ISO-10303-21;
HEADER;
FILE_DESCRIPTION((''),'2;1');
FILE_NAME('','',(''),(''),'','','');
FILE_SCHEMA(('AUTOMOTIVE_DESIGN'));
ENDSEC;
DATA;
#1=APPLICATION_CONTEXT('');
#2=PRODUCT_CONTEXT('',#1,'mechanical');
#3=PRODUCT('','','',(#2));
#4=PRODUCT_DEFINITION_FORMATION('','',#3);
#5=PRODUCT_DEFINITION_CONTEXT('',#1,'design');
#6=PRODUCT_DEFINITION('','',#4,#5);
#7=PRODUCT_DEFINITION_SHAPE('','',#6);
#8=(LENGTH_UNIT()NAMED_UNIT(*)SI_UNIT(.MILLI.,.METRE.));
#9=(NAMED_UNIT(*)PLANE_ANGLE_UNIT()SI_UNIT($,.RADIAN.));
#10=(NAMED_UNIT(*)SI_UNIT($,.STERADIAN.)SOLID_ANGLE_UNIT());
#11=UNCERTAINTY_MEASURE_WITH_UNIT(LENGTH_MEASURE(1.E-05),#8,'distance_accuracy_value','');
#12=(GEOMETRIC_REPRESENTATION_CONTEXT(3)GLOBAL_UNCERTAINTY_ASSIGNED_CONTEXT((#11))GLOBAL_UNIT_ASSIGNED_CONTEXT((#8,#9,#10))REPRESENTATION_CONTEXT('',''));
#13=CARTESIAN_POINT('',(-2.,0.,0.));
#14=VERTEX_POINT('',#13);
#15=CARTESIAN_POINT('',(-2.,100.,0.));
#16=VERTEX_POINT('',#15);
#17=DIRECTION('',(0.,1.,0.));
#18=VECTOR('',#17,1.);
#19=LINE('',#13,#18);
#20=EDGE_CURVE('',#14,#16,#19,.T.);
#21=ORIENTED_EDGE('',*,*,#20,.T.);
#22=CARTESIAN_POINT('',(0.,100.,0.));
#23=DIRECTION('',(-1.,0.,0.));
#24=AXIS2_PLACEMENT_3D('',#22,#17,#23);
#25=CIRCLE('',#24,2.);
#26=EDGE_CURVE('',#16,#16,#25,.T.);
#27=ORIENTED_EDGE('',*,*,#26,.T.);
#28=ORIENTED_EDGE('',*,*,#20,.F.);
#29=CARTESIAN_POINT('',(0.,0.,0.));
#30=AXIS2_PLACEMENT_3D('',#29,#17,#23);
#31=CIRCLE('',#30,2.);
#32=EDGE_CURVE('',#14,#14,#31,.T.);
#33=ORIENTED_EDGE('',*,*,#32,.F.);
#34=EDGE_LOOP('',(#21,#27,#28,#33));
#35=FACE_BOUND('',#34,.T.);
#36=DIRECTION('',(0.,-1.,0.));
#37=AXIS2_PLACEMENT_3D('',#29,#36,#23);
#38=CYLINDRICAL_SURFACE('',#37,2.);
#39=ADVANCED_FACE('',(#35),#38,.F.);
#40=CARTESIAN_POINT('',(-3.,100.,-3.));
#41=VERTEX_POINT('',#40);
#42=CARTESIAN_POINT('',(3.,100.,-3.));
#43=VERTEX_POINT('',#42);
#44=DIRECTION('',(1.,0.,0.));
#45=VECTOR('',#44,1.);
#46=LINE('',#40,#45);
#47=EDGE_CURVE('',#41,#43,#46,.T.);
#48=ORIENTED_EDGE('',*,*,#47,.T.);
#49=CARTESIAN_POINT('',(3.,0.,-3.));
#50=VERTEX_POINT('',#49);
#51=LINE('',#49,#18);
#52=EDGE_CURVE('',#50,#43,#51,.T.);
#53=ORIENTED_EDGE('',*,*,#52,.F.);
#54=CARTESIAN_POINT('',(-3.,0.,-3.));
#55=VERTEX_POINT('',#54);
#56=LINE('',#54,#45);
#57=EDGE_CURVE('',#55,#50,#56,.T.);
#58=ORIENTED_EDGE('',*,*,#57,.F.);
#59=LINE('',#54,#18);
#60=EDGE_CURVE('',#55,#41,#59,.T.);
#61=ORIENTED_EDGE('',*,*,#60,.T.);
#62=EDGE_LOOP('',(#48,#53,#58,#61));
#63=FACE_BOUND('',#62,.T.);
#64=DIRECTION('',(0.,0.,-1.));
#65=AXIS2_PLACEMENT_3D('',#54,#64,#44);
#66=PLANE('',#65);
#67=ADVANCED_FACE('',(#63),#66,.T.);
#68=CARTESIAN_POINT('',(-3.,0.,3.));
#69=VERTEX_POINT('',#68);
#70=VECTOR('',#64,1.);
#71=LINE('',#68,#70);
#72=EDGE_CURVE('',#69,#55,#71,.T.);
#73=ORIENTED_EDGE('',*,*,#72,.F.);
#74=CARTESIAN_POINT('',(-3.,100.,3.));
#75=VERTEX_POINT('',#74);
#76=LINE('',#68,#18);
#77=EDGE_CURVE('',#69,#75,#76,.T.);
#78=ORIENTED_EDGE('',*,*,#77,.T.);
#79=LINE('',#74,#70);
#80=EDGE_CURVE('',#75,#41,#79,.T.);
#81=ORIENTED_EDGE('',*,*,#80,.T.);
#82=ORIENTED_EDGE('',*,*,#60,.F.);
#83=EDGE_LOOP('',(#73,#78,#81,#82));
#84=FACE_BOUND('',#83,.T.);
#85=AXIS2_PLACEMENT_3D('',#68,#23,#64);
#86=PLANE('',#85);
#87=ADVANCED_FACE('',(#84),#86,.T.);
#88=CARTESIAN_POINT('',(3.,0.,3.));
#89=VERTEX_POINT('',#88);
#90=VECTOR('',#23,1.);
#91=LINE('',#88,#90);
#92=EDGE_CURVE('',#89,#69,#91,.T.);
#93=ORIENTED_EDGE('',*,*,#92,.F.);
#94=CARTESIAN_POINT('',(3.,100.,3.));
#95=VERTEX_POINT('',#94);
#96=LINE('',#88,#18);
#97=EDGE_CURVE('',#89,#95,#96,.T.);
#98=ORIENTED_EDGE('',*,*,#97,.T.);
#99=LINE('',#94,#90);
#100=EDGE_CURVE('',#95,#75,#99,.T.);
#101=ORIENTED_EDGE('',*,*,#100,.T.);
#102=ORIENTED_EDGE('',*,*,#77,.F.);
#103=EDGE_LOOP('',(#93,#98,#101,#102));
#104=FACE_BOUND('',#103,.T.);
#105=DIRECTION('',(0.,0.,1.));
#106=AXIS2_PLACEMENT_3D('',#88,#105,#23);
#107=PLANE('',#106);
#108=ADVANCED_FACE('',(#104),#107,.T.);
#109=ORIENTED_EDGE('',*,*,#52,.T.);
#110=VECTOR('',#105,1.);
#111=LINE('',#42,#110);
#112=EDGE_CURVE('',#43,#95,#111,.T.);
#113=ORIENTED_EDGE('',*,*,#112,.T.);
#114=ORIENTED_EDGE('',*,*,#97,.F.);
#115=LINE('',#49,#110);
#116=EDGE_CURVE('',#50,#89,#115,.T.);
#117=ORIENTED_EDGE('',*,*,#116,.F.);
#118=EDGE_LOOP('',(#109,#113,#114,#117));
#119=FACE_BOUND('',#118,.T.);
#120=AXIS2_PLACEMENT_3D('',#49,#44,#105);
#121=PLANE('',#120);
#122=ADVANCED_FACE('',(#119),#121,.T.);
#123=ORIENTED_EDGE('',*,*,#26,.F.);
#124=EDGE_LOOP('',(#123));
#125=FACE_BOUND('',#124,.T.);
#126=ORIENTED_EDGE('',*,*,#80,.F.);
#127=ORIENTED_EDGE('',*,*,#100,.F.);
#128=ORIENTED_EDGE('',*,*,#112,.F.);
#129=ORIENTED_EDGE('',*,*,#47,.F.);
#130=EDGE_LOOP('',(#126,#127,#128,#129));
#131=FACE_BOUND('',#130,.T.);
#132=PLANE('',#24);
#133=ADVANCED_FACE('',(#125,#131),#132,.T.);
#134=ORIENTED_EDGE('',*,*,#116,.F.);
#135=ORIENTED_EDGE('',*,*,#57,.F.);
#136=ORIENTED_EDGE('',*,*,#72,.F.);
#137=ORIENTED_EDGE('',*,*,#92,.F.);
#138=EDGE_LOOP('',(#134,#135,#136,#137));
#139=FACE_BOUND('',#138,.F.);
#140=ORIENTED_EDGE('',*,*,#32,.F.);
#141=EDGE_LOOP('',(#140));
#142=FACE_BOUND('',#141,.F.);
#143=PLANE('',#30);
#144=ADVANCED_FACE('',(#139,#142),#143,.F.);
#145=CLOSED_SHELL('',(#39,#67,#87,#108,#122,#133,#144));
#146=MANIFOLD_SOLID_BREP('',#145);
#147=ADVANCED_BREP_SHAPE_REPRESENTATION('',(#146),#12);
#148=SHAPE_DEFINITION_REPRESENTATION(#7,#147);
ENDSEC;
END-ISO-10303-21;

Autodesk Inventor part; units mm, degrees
ref_plane "YZ Plane" through (0, 0, 0) normal (1, 0, 0) x (0, 1, 0)
ref_plane "XZ Plane" through (0, 0, 0) normal (0, 1, 0) x (-1, 0, 0)
ref_plane "XY Plane" through (0, 0, 0) normal (0, 0, 1) x (1, 0, 0)
sketch "Sketch1" plane through (0, 0, 0) normal (0, 1, 0) x (-1, 0, 0)
  line L0 (3, 3) -> (3, -3)
  line L1 (3, -3) -> (-3, -3)
  line L2 (-3, -3) -> (-3, 3)
  line L3 (-3, 3) -> (3, 3)
  line L4 (3, 3) -> (-3, -3) construction
  line L5 (3, -3) -> (-3, 3) construction
  circle A0 centre (0, 0) radius 2
  dimension "d0" = 6
  dimension "d1" = 6
  dimension "d2" = 4
extrude "Extrusion1" add sketch "Sketch1" along normal blind 100
ref_plane "Work Plane1" through (0, 0, 3) normal (1, 0, 0) x (0, 0, -1)
properties part number "carbon_fiber_6"
